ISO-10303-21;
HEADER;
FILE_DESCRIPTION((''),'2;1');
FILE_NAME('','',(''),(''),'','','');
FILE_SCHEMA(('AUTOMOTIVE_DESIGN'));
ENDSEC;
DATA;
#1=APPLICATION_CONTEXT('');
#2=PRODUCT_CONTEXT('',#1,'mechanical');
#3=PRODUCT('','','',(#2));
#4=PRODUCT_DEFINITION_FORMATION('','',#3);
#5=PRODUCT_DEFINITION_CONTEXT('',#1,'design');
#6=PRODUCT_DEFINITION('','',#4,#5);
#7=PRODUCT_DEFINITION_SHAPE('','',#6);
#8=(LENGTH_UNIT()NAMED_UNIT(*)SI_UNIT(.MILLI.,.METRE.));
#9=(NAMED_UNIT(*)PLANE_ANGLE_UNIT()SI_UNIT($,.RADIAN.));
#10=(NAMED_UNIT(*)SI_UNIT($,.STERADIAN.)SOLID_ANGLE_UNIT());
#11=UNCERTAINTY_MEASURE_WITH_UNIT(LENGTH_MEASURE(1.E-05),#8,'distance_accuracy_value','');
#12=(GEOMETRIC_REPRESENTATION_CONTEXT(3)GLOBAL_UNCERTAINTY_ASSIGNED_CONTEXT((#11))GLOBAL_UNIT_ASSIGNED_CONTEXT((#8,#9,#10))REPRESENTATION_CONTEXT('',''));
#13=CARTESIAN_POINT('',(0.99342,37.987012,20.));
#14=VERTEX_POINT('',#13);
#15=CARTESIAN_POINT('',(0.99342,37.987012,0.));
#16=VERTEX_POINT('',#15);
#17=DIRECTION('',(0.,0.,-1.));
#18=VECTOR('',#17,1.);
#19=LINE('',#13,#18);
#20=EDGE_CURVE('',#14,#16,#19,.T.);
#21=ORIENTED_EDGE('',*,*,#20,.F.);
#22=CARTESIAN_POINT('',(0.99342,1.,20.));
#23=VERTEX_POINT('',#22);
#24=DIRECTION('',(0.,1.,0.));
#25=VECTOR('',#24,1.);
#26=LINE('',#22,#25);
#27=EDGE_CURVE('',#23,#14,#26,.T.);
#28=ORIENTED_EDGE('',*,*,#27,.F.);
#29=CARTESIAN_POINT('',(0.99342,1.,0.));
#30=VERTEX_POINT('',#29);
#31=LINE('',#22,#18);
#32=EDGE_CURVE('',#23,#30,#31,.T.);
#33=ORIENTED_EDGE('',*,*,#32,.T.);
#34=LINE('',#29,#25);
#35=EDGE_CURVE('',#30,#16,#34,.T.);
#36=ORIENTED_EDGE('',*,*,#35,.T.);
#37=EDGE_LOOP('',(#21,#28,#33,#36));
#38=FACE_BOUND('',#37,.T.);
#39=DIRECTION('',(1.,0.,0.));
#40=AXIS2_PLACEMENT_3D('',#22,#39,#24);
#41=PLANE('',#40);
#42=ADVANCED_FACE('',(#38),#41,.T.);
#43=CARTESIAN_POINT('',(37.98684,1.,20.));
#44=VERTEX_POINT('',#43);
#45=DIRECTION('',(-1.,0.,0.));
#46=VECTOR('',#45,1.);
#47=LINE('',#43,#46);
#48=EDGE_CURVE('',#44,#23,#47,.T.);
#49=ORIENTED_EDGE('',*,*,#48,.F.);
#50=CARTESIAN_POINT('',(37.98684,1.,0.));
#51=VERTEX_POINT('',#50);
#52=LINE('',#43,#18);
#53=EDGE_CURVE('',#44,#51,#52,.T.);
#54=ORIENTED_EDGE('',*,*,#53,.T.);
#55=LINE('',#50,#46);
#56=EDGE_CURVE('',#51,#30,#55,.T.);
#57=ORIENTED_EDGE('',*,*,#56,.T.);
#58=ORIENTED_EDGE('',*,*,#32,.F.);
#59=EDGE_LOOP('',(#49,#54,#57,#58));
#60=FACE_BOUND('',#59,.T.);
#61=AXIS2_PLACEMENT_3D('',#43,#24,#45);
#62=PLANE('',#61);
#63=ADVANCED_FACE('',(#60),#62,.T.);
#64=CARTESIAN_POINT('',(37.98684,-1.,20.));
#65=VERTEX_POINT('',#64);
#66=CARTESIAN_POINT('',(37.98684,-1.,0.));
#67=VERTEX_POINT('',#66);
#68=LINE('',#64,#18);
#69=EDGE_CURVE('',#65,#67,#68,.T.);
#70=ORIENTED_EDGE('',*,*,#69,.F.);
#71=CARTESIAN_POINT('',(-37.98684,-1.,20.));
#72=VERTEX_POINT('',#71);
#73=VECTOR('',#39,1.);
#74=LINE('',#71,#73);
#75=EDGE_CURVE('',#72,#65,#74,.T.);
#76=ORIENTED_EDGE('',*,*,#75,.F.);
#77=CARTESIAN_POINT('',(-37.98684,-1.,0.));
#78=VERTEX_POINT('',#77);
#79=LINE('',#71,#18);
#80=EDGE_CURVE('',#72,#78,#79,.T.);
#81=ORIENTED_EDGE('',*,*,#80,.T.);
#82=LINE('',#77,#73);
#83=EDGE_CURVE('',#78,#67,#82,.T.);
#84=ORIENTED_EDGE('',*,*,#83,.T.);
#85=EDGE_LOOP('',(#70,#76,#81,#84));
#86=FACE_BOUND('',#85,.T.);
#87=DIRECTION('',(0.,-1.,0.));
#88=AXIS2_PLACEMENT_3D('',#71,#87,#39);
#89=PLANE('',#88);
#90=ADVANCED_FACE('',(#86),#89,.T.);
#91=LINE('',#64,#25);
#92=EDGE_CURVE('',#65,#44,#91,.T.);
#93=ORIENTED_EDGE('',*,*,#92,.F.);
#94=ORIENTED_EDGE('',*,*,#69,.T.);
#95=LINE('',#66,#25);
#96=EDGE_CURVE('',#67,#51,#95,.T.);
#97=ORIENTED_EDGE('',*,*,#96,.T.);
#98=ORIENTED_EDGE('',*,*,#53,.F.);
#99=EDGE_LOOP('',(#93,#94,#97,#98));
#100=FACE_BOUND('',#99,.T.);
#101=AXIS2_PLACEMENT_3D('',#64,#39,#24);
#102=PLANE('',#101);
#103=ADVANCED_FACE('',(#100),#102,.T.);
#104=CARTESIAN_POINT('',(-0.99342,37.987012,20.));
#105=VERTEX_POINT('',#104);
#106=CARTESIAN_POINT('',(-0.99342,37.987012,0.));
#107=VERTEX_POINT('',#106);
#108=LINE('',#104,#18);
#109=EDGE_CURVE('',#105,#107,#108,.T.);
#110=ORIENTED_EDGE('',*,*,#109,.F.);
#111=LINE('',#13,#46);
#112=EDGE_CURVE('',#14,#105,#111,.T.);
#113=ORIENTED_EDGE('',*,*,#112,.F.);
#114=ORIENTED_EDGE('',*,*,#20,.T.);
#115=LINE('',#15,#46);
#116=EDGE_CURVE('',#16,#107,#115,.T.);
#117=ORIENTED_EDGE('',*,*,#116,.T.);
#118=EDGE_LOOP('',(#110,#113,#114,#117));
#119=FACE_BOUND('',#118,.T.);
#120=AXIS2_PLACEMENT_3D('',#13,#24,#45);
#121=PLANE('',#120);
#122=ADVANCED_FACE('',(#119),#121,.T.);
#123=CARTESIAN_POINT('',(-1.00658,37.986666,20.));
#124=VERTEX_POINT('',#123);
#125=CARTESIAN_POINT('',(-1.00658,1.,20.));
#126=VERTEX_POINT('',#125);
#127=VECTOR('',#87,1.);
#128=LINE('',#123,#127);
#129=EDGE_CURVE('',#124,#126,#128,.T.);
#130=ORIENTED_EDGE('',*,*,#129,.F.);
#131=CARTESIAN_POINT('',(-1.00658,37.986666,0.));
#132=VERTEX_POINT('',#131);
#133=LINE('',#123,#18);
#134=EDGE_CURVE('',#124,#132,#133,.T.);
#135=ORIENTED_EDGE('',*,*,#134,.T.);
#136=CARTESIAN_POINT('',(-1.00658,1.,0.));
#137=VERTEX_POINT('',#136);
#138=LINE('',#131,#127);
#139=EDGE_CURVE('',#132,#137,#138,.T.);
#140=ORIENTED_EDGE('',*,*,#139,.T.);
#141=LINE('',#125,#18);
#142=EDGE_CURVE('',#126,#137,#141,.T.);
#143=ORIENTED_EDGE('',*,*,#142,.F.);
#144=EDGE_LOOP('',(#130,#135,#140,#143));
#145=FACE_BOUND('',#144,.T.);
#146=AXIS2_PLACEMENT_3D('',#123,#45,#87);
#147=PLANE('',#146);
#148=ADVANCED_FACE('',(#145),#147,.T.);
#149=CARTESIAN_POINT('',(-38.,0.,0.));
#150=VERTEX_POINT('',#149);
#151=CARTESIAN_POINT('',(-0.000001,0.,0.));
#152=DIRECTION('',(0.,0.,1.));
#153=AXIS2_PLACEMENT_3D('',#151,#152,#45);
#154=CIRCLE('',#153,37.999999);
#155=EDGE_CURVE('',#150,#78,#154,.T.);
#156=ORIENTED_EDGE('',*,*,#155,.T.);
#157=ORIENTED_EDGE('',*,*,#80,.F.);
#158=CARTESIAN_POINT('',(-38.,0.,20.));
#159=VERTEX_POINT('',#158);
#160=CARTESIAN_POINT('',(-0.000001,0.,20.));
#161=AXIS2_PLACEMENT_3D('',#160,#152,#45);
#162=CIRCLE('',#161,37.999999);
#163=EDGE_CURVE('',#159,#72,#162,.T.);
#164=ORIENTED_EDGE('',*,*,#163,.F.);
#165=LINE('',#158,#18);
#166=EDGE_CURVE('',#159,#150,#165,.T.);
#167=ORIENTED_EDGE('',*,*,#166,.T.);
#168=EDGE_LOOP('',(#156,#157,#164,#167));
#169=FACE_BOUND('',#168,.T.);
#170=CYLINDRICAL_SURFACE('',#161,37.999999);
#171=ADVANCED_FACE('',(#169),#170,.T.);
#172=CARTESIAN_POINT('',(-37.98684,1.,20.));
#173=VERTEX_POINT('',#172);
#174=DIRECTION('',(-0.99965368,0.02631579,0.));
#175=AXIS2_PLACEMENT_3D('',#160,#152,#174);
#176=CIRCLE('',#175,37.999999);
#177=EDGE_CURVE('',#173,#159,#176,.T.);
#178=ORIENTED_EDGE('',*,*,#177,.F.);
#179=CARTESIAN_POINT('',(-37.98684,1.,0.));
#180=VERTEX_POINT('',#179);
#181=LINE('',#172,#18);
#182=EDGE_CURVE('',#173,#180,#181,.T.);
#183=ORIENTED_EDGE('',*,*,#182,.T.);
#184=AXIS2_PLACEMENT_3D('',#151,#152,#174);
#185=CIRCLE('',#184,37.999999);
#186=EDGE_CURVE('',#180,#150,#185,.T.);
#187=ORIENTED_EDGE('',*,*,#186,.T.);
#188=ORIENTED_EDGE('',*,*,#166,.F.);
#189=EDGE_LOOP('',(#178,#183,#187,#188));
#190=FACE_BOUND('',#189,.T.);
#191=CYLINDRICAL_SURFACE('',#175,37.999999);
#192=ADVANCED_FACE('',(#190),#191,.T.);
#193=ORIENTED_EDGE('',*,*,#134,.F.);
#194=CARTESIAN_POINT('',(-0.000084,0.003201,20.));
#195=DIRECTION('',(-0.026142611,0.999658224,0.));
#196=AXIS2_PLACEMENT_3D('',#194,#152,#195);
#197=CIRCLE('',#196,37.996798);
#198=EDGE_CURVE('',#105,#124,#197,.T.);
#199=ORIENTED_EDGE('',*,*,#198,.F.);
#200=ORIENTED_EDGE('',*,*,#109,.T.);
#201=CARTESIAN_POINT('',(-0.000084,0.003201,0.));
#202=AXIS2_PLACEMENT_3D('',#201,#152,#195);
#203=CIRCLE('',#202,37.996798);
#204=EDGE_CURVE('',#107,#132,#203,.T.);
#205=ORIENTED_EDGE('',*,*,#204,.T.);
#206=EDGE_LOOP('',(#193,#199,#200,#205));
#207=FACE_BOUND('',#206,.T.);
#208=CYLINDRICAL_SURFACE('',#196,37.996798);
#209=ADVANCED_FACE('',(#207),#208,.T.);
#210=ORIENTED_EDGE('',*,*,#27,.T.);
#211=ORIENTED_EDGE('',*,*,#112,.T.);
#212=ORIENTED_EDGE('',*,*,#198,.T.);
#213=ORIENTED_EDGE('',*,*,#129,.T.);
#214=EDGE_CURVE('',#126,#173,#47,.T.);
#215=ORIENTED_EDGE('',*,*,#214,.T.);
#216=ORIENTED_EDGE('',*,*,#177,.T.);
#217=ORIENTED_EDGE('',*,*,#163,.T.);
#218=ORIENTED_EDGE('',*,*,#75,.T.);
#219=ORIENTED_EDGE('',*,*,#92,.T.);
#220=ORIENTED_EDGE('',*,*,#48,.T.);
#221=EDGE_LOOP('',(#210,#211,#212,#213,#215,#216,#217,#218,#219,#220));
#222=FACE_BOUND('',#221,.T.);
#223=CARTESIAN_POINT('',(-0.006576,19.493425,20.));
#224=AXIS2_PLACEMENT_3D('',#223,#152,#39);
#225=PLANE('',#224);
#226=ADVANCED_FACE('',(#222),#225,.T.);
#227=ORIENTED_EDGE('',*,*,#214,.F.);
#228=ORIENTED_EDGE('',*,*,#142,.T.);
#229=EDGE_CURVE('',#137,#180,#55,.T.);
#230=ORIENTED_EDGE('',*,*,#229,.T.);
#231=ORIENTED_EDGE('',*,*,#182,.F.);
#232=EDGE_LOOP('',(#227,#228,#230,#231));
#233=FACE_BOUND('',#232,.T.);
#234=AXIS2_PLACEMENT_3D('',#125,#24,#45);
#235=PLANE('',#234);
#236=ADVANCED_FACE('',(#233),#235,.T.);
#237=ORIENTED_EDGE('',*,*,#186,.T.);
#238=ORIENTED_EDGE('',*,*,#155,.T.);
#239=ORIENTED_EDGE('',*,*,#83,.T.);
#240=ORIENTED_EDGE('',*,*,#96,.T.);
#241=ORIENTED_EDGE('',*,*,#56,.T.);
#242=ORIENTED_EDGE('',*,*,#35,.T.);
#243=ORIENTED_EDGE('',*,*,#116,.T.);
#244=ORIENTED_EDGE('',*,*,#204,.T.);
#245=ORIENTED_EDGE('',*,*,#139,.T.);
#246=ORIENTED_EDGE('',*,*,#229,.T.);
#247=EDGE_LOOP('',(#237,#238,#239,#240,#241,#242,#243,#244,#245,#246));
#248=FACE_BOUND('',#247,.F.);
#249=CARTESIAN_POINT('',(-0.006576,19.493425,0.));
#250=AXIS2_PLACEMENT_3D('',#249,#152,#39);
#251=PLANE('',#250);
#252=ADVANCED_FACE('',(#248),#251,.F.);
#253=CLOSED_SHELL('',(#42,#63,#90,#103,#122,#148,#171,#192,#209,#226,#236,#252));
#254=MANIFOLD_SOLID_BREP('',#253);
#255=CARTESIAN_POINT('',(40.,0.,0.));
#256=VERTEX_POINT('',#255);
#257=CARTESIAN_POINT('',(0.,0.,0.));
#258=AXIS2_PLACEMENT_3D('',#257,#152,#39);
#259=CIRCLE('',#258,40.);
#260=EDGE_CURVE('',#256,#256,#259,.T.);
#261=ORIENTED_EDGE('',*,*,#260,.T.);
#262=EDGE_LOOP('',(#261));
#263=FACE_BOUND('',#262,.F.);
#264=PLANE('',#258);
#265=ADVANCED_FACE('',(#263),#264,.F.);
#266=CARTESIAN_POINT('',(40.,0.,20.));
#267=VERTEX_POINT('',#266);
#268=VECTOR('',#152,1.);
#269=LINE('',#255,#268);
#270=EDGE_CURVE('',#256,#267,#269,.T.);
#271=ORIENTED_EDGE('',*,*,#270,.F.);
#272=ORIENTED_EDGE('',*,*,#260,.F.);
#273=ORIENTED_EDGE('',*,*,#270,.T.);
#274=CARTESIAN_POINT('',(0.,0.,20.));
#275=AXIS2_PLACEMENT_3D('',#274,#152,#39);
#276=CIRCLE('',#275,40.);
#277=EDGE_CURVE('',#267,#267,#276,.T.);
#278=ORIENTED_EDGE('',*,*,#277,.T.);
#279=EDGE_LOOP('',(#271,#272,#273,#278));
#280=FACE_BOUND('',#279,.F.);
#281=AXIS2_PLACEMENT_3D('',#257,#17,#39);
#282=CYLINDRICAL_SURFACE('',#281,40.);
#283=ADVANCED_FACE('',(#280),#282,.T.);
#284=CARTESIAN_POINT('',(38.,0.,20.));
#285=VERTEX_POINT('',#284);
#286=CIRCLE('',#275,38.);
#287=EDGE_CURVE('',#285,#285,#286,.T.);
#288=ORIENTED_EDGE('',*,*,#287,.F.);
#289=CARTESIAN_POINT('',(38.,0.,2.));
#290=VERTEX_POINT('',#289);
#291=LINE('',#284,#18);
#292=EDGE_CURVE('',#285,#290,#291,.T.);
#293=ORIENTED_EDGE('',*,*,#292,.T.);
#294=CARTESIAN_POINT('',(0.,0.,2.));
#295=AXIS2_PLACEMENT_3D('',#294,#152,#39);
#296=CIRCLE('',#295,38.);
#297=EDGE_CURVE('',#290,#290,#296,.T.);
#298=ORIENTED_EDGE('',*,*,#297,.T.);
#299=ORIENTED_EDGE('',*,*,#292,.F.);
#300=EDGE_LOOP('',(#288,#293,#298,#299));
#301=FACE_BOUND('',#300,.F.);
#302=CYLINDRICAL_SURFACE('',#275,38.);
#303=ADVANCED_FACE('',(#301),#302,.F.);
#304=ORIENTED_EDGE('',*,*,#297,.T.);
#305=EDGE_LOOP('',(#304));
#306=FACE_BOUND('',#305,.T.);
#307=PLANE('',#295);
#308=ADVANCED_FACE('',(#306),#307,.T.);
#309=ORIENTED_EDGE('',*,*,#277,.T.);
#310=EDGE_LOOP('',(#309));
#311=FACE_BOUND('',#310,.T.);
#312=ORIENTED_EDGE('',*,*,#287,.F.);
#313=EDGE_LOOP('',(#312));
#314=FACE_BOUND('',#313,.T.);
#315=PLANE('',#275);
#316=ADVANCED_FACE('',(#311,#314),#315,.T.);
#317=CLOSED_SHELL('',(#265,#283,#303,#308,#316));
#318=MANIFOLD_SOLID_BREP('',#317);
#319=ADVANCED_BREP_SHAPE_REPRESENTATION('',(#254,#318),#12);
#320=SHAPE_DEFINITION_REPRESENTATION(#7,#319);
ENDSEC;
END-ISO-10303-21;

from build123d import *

# Parameters (mm, degrees)
F0_R     = 40
F1_DEPTH = 20
F2_R     = 38
F3_DEPTH = 18
F5_DEPTH = 20


with BuildPart() as f1:
    # F0 (on Top) → F1 (new body)
    with BuildSketch(Plane.XY):
        Circle(F0_R)
    extrude(amount=F1_DEPTH)

    # F2 (on face) → F3 (cut)
    with BuildSketch(Plane.XY.offset(20)):
        Circle(F2_R)
    extrude(amount=-F3_DEPTH, mode=Mode.SUBTRACT)


with BuildPart() as f5:
    # F4 (on face) → F5 (new body)
    with BuildSketch(Plane.XY.offset(20)):
        with BuildLine():
            Line((-1.0065800868, 37.986666036), (-1.0065800868, 1))
            Line((-1.0065800868, 1), (0.9934199132, 1))
            Line((0.9934199132, 1), (0.9934199132, 37.9870124763))
            Line((0.9934199132, 37.9870124763), (-0.9934199132, 37.9870124763))
            ThreePointArc((-0.9934199132, 37.9870124763), (-1.000000015, 37.9868398261), (-1.0065800868, 37.986666036))
        make_face()
        with BuildLine():
            ThreePointArc((-37.9868398264, 1), (-37.9967098142, 0.5000432957), (-38, 0))
            ThreePointArc((-38, 0), (-37.9967098142, -0.5000432957), (-37.9868398264, -1))
            Line((-37.9868398264, -1), (37.9868398264, -1))
            Line((37.9868398264, -1), (37.9868398264, 1))
            Line((37.9868398264, 1), (0.9934199132, 1))
            Line((0.9934199132, 1), (-1.0065800868, 1))
            Line((-1.0065800868, 1), (-37.9868398264, 1))
        make_face()
    extrude(amount=-F5_DEPTH)


solid = Compound([f1.part, f5.part])
